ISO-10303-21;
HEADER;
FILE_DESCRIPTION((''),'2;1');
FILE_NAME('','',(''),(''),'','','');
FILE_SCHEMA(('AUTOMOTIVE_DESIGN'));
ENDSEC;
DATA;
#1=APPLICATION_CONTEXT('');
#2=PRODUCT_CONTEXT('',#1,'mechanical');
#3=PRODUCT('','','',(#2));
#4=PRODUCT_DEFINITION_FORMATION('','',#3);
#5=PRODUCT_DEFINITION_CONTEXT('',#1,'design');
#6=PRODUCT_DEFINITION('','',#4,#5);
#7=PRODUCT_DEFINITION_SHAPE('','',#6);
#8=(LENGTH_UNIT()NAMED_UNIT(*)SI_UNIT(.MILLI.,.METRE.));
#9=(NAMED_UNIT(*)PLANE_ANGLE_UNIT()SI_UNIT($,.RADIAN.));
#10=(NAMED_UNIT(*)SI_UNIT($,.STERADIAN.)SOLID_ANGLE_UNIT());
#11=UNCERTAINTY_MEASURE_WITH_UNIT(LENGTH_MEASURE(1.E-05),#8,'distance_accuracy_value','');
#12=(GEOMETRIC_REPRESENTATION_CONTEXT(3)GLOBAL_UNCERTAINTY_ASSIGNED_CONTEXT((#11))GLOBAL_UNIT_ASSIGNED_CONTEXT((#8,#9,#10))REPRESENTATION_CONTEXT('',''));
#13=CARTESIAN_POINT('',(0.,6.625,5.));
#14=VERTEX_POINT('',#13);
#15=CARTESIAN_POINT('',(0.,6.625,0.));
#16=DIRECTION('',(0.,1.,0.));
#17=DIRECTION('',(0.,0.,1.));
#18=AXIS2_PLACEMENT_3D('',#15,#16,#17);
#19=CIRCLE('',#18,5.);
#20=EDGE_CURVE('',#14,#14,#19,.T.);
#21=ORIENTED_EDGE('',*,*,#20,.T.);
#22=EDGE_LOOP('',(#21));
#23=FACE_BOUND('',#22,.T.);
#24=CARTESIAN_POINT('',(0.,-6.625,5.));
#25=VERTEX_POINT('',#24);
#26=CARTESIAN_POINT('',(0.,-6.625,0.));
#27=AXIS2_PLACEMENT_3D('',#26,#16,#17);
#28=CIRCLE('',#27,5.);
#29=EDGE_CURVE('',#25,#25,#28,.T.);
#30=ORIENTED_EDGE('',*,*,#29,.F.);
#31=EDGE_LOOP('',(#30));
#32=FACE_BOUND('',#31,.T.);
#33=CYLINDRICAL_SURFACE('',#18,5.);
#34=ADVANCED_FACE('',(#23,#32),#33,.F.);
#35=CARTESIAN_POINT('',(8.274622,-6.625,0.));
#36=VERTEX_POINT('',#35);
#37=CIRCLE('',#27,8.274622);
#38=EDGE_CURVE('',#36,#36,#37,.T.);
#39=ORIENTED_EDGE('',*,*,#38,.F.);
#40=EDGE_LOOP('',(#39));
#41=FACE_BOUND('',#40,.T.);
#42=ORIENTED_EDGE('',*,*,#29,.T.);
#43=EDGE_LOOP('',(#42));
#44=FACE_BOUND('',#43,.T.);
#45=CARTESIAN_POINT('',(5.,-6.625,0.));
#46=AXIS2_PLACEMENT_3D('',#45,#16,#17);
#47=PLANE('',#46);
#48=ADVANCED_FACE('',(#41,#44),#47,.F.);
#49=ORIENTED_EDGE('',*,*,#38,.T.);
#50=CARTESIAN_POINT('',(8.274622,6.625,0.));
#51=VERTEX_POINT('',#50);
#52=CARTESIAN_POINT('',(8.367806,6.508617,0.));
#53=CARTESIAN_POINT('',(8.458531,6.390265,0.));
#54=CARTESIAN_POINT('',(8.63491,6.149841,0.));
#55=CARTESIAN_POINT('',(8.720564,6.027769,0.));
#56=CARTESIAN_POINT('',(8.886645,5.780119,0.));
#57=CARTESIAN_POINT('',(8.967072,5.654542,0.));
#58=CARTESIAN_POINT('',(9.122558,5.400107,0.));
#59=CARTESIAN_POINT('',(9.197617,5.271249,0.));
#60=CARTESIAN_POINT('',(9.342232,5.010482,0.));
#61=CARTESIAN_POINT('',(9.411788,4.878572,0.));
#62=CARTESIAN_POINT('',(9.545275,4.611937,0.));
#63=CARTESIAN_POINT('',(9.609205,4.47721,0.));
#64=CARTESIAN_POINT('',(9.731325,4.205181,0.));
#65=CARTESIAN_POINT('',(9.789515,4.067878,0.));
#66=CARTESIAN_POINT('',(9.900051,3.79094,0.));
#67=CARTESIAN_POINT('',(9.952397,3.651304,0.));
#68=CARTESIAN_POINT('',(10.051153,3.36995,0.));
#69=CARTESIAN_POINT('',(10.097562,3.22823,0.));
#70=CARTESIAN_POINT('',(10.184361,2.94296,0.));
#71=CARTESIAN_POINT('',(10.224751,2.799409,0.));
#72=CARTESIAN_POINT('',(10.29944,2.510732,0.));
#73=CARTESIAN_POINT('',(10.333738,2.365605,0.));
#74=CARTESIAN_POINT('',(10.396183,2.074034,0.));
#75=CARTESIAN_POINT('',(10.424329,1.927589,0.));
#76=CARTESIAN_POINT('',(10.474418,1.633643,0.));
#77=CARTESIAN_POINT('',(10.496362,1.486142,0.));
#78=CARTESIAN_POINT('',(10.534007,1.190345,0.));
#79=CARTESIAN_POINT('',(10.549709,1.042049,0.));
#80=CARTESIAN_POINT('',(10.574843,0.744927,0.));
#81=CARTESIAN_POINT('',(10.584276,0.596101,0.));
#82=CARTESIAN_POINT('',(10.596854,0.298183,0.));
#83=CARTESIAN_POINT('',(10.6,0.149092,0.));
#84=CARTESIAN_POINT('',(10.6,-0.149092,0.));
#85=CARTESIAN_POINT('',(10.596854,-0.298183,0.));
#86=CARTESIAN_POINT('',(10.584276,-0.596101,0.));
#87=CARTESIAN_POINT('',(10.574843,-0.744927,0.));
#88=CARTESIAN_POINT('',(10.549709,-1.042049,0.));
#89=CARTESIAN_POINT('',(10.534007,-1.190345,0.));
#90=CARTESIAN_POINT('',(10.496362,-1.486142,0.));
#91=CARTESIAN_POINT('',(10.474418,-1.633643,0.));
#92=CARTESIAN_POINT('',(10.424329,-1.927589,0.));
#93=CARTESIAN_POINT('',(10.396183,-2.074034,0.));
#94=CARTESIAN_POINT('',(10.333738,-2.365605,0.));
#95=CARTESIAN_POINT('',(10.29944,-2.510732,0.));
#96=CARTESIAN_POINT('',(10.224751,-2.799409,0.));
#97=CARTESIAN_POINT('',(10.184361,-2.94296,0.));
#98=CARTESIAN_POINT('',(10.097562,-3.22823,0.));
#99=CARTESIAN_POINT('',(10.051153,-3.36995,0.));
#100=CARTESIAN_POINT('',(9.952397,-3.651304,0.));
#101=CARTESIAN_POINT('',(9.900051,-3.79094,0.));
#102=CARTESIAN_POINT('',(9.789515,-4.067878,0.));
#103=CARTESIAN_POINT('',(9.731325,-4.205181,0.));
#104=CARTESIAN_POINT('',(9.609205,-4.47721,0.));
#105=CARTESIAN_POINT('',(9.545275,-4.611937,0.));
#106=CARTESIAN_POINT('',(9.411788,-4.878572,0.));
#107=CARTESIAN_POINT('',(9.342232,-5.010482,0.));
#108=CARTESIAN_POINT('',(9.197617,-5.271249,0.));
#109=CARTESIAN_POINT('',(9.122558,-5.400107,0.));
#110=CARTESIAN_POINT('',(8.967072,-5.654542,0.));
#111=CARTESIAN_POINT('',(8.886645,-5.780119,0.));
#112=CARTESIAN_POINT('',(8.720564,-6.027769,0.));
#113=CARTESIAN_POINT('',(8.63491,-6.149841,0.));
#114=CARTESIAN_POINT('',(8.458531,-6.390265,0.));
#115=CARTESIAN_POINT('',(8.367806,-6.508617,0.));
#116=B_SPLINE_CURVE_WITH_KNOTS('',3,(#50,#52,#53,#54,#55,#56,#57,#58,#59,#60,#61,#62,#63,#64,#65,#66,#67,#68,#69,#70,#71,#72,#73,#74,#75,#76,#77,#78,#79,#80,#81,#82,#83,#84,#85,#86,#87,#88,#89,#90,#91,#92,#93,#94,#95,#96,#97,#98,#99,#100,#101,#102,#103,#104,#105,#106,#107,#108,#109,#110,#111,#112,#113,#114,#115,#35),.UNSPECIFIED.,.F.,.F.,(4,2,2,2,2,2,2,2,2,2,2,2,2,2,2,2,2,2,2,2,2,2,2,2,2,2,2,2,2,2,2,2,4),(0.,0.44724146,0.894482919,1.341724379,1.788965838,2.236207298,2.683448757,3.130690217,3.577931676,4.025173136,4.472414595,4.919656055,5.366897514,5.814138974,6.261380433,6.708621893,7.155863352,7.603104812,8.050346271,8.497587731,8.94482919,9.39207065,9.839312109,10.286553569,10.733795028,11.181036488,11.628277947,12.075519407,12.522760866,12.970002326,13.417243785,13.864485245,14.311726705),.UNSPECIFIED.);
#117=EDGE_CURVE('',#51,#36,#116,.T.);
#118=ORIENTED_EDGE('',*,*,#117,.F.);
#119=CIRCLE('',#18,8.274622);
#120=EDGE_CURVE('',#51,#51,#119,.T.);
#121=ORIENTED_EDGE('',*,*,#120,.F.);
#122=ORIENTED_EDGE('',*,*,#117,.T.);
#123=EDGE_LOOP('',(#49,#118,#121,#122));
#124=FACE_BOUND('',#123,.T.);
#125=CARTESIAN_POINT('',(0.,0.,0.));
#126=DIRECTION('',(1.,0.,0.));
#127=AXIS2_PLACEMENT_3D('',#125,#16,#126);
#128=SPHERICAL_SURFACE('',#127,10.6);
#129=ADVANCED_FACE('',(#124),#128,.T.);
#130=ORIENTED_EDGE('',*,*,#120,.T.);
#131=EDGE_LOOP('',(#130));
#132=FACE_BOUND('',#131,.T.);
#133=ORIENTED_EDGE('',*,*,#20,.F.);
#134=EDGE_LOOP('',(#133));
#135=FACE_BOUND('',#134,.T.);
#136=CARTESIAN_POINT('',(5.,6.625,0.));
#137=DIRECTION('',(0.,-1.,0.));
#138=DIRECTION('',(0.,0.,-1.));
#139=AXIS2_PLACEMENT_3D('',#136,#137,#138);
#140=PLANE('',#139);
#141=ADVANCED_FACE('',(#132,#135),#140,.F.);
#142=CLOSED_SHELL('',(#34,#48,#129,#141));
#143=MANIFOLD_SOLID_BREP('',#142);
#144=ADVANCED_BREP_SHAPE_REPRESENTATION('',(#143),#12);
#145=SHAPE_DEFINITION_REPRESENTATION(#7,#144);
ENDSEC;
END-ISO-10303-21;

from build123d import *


with BuildPart() as part:
    # Sketch1 → Revolve2 (revolve)
    with BuildSketch(Plane.XY):
        with BuildLine():
            Line((5, 6.625), (8.274622348, 6.625))
            ThreePointArc((8.274622348, 6.625), (10.6, 0), (8.274622348, -6.625))
            Line((8.274622348, -6.625), (5, -6.625))
            Line((5, -6.625), (5, 6.625))
        make_face()
    revolve(axis=Axis((0, 6.625, 0), (0, -1, 0)))


solid = part.part
